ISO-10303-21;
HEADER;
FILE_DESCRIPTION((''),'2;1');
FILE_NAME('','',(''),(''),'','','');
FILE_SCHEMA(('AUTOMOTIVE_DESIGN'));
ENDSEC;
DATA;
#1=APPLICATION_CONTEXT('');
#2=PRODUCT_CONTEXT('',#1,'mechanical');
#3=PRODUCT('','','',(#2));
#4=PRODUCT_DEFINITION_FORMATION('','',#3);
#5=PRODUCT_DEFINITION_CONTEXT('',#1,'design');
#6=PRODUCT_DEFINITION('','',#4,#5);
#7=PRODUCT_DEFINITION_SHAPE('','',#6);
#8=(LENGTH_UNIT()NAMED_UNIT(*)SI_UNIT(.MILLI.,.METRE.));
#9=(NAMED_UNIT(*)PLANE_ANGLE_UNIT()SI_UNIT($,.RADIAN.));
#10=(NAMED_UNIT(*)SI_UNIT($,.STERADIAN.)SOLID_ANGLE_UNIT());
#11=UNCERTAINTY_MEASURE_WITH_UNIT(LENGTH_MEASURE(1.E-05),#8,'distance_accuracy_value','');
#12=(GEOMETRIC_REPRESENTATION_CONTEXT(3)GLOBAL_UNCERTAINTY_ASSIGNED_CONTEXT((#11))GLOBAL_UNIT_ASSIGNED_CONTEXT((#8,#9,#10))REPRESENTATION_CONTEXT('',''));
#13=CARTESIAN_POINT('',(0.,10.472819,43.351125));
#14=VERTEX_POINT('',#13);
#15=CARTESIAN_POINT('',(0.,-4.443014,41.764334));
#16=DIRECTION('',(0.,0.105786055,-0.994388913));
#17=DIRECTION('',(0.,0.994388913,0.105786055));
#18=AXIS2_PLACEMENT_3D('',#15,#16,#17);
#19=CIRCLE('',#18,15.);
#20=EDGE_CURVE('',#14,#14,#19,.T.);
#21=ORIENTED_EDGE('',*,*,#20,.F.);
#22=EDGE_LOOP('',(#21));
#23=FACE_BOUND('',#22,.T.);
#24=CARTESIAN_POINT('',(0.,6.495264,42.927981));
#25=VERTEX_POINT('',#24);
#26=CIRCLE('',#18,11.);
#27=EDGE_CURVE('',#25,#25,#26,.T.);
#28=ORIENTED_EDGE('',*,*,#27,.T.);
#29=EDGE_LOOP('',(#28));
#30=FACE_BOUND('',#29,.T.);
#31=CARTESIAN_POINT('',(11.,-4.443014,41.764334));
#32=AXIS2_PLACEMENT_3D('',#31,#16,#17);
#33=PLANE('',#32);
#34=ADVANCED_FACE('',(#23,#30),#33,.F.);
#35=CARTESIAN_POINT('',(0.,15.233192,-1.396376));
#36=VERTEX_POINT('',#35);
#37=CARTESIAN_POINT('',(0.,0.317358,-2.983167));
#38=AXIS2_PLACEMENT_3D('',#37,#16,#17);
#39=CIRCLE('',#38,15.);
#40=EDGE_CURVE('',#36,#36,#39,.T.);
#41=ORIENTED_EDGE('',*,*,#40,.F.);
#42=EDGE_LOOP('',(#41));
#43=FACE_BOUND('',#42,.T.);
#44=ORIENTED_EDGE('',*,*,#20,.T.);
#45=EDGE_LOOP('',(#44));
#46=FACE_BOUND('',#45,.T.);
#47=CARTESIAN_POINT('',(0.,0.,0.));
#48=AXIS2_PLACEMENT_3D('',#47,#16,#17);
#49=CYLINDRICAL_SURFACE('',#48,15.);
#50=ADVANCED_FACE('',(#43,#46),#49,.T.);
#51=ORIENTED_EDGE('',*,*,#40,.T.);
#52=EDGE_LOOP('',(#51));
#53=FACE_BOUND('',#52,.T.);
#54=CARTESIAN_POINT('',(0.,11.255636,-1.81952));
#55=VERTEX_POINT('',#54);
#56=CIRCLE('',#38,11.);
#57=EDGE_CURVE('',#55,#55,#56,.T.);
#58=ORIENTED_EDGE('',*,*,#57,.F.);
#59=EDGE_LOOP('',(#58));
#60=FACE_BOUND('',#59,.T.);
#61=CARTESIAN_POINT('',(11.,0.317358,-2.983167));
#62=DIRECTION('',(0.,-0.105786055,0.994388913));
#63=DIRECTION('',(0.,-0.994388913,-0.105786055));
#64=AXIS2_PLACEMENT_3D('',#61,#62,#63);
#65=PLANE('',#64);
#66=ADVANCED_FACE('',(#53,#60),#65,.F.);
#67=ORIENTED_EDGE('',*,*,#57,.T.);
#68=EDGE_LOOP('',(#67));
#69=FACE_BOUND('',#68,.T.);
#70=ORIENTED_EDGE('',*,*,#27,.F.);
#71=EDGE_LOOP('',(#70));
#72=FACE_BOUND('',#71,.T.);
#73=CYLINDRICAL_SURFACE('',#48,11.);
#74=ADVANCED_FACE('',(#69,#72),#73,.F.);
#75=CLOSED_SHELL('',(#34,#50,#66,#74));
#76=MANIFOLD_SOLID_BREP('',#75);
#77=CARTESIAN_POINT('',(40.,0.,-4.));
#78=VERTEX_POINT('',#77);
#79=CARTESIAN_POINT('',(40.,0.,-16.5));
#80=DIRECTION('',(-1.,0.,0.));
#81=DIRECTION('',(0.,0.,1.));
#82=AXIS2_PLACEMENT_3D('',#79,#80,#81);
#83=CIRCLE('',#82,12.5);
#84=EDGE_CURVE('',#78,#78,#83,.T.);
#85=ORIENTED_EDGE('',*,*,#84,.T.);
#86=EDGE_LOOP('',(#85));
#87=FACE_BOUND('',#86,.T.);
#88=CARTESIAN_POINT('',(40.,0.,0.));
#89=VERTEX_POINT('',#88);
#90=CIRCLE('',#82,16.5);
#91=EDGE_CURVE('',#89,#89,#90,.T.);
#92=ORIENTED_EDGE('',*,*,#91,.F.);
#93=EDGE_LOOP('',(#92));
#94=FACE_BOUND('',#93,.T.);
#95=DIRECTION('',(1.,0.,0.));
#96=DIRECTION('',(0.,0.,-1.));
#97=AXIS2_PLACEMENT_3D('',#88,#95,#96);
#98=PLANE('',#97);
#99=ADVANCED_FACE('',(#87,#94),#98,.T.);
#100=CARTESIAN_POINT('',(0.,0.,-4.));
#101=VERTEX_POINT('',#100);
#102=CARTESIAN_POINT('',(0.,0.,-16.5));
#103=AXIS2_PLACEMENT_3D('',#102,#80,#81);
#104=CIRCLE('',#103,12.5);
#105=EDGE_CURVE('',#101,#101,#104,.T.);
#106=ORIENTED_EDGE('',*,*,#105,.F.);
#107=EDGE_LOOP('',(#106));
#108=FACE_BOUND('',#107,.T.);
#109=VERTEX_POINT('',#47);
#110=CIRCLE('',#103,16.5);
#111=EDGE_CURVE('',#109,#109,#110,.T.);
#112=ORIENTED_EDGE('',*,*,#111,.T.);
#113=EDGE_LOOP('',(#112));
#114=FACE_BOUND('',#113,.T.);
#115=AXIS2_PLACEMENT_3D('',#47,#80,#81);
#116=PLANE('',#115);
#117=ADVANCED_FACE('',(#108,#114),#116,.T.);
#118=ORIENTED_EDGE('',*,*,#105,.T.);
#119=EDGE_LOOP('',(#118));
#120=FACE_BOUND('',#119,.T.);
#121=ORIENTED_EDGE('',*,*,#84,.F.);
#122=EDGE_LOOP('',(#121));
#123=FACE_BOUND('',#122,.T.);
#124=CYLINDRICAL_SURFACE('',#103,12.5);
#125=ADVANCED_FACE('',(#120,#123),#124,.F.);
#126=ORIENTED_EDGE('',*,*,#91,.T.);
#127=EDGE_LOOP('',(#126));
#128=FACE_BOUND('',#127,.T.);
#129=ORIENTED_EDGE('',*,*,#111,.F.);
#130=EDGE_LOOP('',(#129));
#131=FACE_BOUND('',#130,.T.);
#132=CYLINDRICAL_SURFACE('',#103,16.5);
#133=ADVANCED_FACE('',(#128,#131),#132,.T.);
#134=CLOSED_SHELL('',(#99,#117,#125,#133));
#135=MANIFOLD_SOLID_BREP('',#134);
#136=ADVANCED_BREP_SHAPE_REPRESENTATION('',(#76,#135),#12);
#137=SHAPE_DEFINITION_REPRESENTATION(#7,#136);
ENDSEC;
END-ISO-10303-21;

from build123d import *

# Parameters (mm, degrees)
SKETCH4_W = 4
SKETCH4_H = 45
SKETCH5_W = 40
SKETCH5_H = 4


with BuildPart() as part:
    # Sketch4 → Revolve1 (revolve)
    with BuildSketch(Plane(origin=(0, 0, 0), x_dir=(1, 0, 0), z_dir=(0, 0.9943889131791124, 0.10578605459352264)), mode=Mode.PRIVATE) as revolve1_sk:
        with Locations((13, -19.5)):
            Rectangle(SKETCH4_W, SKETCH4_H)
    revolve(revolve1_sk.sketch.rotate(Axis((0, 0, 0), (0, -0.10578605459352264, 0.9943889131791124)), 90), axis=Axis((0, 0, 0), (0, -0.10578605459352264, 0.9943889131791124)))


with BuildPart() as body_2:
    # Sketch5 → Revolve2 (revolve)
    with BuildSketch(Plane(origin=(0, 0, 0), x_dir=(1, 0, 0), z_dir=(0, 1, 0))):
        with Locations((20, 2)):
            Rectangle(SKETCH5_W, SKETCH5_H)
    revolve(axis=Axis((0, 0, -16.5), (1, 0, 0)))


solid = Compound([part.part, body_2.part])
